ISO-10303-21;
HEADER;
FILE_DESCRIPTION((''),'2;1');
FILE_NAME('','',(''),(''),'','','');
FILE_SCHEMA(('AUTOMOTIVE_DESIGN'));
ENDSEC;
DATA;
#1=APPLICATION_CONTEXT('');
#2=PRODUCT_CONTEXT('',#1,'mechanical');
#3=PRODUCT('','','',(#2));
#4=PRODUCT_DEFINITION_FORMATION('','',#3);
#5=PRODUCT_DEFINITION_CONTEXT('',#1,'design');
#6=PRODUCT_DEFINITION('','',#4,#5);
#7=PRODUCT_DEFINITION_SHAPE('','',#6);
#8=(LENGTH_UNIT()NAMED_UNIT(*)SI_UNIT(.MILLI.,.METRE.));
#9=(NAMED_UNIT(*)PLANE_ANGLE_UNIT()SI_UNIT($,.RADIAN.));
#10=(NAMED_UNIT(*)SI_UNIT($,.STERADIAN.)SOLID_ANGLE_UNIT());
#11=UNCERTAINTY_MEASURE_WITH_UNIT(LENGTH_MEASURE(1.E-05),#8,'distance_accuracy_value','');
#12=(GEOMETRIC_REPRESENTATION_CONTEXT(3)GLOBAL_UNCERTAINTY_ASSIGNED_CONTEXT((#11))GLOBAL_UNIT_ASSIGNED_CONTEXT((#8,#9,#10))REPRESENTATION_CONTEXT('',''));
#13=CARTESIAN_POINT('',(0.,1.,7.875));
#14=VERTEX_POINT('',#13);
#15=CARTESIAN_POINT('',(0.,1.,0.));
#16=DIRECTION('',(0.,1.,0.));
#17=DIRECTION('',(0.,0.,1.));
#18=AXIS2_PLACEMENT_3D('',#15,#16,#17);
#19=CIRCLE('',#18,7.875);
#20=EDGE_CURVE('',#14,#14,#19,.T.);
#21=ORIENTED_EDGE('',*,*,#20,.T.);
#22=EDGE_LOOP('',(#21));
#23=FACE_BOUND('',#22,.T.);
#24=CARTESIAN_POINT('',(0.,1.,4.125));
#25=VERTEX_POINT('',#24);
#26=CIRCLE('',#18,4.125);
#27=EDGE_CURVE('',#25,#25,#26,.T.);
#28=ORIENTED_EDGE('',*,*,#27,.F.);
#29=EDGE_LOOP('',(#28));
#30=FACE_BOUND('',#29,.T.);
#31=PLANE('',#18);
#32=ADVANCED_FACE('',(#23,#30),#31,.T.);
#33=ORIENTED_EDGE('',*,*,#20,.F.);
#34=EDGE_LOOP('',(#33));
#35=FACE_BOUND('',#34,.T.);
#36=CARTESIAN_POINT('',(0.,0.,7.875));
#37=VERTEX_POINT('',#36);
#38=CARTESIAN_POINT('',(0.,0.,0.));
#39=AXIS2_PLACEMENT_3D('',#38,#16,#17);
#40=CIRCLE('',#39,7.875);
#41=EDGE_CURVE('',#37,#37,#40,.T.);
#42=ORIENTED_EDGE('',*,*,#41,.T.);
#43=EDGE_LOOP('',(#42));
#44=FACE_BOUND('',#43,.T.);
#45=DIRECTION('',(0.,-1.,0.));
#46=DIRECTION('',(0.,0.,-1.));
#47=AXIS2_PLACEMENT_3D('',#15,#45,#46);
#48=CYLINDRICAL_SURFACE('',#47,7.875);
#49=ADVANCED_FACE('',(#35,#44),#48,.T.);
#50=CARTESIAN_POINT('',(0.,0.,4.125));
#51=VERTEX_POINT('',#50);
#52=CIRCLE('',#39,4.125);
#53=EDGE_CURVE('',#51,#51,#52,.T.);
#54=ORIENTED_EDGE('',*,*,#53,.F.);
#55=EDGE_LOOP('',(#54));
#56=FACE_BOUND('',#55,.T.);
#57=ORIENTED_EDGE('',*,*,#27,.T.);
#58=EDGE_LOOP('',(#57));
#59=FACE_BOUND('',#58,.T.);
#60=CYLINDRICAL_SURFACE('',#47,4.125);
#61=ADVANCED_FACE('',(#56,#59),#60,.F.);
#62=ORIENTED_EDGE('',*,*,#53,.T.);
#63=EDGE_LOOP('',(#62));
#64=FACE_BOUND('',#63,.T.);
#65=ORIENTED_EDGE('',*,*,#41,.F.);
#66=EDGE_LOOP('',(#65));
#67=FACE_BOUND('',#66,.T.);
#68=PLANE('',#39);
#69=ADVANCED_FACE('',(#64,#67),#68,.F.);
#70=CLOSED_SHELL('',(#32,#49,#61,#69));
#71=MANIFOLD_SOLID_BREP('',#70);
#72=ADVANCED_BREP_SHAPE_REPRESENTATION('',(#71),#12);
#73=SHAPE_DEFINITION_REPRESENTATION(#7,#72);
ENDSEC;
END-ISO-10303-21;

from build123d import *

# Parameters (mm, degrees)
SKETCH1_R           = 7.875
SKETCH1_R_2         = 4.125
BOSS_EXTRUDE1_DEPTH = 1


with BuildPart() as part:
    # Sketch1 → Boss-Extrude1 (new body)
    with BuildSketch(Plane(origin=(0, 0, 0), x_dir=(1, 0, 0), z_dir=(0, 1, 0))):
        Circle(SKETCH1_R)
        Circle(SKETCH1_R_2, mode=Mode.SUBTRACT)
    extrude(amount=BOSS_EXTRUDE1_DEPTH)


solid = part.part
